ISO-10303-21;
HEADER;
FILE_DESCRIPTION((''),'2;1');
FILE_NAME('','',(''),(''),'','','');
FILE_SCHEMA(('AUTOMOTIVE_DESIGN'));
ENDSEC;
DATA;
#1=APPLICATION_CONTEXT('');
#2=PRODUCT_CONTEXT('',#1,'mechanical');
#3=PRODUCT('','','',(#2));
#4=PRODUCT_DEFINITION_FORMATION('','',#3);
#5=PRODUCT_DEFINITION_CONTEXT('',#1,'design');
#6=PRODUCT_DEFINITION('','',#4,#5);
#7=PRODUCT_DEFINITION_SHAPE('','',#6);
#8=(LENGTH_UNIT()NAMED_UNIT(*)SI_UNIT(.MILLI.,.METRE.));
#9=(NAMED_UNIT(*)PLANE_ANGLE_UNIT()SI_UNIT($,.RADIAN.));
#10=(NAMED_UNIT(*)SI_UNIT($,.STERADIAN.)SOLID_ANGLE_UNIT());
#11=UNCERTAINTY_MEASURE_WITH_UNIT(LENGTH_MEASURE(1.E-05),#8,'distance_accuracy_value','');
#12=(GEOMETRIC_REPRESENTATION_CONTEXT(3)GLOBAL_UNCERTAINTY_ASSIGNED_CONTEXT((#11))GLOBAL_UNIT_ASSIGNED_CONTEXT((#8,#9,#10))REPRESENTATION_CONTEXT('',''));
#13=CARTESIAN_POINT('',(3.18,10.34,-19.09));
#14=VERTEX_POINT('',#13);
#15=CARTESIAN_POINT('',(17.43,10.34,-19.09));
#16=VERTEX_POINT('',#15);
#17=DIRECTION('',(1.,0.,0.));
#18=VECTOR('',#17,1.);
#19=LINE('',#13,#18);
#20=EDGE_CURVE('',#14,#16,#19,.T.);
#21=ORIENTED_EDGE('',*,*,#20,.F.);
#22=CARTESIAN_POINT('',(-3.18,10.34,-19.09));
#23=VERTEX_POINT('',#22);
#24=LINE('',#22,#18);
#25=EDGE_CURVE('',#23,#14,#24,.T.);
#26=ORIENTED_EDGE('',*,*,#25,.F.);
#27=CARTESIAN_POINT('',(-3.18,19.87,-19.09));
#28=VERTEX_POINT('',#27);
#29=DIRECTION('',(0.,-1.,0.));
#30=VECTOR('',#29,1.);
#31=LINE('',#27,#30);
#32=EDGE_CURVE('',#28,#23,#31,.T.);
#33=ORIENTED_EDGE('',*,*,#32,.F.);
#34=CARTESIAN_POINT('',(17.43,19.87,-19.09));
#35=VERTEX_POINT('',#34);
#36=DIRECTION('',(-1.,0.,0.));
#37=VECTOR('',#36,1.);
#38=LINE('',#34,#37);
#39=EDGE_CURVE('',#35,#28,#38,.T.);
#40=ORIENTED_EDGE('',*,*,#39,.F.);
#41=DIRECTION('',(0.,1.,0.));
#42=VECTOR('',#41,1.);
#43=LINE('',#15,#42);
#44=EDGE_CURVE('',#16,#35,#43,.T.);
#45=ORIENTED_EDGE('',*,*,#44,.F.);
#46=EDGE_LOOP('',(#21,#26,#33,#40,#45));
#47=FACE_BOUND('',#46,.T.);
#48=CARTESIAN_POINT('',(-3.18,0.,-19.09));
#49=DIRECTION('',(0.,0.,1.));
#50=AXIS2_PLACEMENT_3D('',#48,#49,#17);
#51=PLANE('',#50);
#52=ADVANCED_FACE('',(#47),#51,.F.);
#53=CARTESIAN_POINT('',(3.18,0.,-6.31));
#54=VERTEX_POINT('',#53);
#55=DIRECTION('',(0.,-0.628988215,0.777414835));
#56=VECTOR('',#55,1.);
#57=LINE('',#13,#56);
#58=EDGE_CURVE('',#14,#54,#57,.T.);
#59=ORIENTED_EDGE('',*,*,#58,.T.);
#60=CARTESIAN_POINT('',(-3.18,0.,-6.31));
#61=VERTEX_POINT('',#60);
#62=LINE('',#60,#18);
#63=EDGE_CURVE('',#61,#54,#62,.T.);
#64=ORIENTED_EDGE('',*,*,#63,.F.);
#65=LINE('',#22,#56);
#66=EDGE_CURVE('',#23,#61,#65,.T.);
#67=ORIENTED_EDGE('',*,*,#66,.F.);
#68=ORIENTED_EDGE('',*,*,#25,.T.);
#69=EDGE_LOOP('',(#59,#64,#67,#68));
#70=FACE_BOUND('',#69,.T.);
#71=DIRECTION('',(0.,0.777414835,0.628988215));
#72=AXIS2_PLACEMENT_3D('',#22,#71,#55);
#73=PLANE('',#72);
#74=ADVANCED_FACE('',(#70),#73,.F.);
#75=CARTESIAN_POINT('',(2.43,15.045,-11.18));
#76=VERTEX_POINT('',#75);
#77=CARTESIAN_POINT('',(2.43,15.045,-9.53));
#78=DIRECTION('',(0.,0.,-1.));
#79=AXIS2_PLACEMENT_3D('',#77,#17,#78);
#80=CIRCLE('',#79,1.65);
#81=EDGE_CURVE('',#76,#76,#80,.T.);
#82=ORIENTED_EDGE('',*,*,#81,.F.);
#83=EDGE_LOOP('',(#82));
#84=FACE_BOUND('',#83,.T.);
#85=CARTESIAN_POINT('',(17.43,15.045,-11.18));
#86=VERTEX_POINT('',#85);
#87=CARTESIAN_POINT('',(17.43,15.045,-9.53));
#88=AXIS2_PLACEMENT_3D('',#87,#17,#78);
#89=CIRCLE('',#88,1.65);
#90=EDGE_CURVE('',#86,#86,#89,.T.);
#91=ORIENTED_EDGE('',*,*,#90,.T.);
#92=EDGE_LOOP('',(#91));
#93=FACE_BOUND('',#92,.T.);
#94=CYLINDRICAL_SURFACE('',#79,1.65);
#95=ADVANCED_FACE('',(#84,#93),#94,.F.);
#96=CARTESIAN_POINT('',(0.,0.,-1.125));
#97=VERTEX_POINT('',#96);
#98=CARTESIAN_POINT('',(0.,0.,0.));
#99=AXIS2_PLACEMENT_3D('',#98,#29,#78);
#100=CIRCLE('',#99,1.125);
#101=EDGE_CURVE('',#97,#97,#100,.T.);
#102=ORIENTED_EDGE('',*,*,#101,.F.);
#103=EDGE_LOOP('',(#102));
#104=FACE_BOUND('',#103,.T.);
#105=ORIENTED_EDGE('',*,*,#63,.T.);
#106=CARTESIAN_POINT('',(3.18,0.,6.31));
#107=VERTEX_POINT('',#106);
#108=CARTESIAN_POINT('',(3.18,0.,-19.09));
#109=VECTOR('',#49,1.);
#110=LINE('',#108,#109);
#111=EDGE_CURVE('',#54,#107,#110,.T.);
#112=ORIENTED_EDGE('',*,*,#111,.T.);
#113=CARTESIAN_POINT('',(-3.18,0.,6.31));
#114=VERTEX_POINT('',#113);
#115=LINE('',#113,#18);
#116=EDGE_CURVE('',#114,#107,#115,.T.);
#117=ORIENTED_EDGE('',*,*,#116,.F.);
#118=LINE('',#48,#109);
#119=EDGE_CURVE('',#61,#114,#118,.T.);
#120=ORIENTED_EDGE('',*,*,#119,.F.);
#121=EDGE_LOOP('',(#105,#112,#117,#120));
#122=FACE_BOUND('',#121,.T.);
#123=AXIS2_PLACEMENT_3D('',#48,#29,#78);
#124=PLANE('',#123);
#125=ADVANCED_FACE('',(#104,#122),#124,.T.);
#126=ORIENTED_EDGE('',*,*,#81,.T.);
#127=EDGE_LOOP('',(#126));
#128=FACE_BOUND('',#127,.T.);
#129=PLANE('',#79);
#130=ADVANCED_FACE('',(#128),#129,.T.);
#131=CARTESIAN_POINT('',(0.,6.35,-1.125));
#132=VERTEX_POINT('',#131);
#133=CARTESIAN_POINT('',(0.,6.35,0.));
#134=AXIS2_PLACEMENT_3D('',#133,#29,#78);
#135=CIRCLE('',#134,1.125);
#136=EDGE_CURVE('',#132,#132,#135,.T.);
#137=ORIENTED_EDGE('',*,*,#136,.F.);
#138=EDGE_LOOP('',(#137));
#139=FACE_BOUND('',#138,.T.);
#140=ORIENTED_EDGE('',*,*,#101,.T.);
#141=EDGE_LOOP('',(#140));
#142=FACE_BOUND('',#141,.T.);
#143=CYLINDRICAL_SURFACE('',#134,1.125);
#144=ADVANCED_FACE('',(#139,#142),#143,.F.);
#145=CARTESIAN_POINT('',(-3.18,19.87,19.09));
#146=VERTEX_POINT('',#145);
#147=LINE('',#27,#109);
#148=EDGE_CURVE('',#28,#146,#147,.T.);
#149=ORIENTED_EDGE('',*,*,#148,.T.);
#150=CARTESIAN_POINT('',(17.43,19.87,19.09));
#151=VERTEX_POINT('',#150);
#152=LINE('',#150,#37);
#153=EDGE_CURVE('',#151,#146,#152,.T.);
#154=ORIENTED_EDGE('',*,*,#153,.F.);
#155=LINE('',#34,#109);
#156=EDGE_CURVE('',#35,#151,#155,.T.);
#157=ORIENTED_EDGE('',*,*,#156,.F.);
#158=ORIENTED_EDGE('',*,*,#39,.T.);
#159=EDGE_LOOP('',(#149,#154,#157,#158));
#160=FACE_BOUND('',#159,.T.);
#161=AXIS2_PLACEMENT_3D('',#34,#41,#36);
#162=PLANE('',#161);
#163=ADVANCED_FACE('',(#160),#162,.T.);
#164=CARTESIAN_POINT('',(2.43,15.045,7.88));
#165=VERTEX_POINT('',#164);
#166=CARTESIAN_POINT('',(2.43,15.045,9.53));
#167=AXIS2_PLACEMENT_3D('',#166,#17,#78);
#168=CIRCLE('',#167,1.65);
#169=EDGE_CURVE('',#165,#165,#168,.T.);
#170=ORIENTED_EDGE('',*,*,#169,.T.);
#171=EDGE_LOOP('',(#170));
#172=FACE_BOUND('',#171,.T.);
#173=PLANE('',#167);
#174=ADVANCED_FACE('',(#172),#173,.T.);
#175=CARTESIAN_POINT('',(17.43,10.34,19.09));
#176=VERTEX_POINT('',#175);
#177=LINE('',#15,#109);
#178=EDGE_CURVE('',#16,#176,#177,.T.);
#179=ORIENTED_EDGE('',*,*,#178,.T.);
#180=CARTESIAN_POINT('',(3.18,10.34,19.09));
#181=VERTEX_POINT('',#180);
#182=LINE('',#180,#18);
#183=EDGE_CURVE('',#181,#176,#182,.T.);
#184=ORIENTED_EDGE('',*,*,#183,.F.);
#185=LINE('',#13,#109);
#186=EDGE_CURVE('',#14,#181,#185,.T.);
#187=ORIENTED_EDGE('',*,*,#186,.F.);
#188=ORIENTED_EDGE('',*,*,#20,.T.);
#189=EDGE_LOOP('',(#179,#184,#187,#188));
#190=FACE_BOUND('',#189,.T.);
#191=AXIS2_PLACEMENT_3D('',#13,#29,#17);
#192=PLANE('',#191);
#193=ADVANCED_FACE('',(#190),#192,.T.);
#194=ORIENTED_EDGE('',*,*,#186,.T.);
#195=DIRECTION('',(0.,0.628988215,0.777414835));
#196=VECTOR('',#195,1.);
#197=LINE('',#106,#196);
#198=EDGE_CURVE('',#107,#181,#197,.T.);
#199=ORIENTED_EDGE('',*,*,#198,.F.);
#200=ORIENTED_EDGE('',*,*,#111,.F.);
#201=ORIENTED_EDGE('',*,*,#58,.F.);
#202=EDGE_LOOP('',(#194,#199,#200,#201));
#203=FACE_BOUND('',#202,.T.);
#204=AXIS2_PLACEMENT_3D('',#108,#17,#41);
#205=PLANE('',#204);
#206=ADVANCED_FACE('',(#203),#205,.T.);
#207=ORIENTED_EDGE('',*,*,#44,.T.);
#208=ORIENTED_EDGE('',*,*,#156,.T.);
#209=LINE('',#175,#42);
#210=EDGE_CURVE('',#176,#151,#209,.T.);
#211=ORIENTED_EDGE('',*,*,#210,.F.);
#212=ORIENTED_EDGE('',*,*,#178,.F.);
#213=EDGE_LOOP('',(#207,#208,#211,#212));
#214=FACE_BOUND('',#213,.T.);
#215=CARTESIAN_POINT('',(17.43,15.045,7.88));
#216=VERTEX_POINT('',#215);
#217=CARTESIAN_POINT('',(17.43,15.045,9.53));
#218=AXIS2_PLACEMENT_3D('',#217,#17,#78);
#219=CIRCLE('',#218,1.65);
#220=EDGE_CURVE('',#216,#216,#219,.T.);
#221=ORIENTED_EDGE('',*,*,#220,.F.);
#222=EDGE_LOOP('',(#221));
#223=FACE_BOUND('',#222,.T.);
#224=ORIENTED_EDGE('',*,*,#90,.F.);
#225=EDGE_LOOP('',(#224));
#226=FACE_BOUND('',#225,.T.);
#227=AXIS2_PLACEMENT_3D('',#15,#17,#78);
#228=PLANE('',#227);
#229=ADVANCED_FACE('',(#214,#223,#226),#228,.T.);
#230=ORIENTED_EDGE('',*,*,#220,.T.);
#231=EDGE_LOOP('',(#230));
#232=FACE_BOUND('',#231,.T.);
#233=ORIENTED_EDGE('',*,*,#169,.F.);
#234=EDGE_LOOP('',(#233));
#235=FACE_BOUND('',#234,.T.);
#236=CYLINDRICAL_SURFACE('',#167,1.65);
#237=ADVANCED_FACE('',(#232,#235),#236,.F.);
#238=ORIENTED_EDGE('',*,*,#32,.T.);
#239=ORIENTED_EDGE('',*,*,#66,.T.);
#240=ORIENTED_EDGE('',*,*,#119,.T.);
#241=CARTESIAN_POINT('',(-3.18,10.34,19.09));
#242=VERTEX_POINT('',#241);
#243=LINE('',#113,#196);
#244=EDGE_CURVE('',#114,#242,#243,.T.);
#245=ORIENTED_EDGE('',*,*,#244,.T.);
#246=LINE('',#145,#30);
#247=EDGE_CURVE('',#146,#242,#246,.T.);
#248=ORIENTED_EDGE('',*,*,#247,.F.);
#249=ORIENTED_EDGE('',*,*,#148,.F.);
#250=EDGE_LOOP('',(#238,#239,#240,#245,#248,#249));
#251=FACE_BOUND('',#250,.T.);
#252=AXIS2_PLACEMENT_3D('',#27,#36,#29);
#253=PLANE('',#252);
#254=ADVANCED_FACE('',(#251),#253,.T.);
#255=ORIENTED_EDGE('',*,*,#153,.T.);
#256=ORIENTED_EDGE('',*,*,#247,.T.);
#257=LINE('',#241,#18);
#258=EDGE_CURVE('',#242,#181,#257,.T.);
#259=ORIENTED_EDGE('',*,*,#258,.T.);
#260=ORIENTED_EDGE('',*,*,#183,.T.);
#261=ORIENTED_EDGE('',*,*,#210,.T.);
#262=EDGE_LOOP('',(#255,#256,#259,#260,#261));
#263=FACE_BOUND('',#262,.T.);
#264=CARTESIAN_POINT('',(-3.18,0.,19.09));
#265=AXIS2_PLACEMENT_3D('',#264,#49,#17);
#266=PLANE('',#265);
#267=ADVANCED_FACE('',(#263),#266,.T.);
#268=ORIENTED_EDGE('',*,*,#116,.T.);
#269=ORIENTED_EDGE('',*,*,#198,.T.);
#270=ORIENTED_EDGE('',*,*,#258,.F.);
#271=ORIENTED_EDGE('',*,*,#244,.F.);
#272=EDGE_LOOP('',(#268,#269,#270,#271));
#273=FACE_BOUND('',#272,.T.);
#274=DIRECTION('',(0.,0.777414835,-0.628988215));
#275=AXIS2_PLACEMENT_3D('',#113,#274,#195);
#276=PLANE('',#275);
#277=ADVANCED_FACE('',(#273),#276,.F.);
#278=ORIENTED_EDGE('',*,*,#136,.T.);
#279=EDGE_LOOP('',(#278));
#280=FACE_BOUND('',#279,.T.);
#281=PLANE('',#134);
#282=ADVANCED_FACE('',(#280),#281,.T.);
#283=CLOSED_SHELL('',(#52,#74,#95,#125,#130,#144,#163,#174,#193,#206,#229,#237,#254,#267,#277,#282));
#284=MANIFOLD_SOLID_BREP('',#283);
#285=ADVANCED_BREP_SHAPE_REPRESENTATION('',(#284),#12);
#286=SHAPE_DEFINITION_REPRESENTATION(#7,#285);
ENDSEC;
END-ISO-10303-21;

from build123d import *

# Parameters (mm, degrees)
BOSS_EXTRUDE1_DEPTH      = 19.09
BOSS_EXTRUDE1_DEPTH_BACK = 19.09
CUT_EXTRUDE1_DEPTH       = 32.021081541
SKETCH3_R                = 1.125
CUT_EXTRUDE2_DEPTH       = 6.35
SKETCH4_R                = 1.65
CUT_EXTRUDE3_DEPTH       = 15


with BuildPart() as part:
    # Sketch1 → Boss-Extrude1 (new, two sides: drawn at the far end of the back side and taken through both)
    with BuildSketch(Plane.XY.offset(-BOSS_EXTRUDE1_DEPTH_BACK)):
        Polygon((-3.18, 0), (3.18, 0), (3.18, 10.34), (17.43, 10.34), (17.43, 19.87), (-3.18, 19.87), align=None)
    extrude(amount=BOSS_EXTRUDE1_DEPTH + BOSS_EXTRUDE1_DEPTH_BACK)

    # Sketch2 → Cut-Extrude1 (cut, through all)
    with BuildSketch(Plane(origin=(3.18, 0, 0), x_dir=(0, 0, -1), z_dir=(1, 0, 0))):
        Polygon((19.09, 10.34), (6.31, 0), (19.09, 0), align=None)
        Polygon((-19.09, 10.34), (-19.09, 0), (-6.31, 0), align=None)
    extrude(amount=-CUT_EXTRUDE1_DEPTH, mode=Mode.SUBTRACT)

    # Sketch3 → Cut-Extrude2 (cut)
    with BuildSketch(Plane.XZ):
        Circle(SKETCH3_R)
    extrude(amount=-CUT_EXTRUDE2_DEPTH, mode=Mode.SUBTRACT)

    # Sketch4 → Cut-Extrude3 (cut)
    with BuildSketch(Plane(origin=(17.43, 0, 0), x_dir=(0, 0, -1), z_dir=(1, 0, 0))):
        with Locations((9.53, 15.045)):
            Circle(SKETCH4_R)
        with Locations((-9.53, 15.045)):
            Circle(SKETCH4_R)
    extrude(amount=-CUT_EXTRUDE3_DEPTH, mode=Mode.SUBTRACT)


solid = part.part
